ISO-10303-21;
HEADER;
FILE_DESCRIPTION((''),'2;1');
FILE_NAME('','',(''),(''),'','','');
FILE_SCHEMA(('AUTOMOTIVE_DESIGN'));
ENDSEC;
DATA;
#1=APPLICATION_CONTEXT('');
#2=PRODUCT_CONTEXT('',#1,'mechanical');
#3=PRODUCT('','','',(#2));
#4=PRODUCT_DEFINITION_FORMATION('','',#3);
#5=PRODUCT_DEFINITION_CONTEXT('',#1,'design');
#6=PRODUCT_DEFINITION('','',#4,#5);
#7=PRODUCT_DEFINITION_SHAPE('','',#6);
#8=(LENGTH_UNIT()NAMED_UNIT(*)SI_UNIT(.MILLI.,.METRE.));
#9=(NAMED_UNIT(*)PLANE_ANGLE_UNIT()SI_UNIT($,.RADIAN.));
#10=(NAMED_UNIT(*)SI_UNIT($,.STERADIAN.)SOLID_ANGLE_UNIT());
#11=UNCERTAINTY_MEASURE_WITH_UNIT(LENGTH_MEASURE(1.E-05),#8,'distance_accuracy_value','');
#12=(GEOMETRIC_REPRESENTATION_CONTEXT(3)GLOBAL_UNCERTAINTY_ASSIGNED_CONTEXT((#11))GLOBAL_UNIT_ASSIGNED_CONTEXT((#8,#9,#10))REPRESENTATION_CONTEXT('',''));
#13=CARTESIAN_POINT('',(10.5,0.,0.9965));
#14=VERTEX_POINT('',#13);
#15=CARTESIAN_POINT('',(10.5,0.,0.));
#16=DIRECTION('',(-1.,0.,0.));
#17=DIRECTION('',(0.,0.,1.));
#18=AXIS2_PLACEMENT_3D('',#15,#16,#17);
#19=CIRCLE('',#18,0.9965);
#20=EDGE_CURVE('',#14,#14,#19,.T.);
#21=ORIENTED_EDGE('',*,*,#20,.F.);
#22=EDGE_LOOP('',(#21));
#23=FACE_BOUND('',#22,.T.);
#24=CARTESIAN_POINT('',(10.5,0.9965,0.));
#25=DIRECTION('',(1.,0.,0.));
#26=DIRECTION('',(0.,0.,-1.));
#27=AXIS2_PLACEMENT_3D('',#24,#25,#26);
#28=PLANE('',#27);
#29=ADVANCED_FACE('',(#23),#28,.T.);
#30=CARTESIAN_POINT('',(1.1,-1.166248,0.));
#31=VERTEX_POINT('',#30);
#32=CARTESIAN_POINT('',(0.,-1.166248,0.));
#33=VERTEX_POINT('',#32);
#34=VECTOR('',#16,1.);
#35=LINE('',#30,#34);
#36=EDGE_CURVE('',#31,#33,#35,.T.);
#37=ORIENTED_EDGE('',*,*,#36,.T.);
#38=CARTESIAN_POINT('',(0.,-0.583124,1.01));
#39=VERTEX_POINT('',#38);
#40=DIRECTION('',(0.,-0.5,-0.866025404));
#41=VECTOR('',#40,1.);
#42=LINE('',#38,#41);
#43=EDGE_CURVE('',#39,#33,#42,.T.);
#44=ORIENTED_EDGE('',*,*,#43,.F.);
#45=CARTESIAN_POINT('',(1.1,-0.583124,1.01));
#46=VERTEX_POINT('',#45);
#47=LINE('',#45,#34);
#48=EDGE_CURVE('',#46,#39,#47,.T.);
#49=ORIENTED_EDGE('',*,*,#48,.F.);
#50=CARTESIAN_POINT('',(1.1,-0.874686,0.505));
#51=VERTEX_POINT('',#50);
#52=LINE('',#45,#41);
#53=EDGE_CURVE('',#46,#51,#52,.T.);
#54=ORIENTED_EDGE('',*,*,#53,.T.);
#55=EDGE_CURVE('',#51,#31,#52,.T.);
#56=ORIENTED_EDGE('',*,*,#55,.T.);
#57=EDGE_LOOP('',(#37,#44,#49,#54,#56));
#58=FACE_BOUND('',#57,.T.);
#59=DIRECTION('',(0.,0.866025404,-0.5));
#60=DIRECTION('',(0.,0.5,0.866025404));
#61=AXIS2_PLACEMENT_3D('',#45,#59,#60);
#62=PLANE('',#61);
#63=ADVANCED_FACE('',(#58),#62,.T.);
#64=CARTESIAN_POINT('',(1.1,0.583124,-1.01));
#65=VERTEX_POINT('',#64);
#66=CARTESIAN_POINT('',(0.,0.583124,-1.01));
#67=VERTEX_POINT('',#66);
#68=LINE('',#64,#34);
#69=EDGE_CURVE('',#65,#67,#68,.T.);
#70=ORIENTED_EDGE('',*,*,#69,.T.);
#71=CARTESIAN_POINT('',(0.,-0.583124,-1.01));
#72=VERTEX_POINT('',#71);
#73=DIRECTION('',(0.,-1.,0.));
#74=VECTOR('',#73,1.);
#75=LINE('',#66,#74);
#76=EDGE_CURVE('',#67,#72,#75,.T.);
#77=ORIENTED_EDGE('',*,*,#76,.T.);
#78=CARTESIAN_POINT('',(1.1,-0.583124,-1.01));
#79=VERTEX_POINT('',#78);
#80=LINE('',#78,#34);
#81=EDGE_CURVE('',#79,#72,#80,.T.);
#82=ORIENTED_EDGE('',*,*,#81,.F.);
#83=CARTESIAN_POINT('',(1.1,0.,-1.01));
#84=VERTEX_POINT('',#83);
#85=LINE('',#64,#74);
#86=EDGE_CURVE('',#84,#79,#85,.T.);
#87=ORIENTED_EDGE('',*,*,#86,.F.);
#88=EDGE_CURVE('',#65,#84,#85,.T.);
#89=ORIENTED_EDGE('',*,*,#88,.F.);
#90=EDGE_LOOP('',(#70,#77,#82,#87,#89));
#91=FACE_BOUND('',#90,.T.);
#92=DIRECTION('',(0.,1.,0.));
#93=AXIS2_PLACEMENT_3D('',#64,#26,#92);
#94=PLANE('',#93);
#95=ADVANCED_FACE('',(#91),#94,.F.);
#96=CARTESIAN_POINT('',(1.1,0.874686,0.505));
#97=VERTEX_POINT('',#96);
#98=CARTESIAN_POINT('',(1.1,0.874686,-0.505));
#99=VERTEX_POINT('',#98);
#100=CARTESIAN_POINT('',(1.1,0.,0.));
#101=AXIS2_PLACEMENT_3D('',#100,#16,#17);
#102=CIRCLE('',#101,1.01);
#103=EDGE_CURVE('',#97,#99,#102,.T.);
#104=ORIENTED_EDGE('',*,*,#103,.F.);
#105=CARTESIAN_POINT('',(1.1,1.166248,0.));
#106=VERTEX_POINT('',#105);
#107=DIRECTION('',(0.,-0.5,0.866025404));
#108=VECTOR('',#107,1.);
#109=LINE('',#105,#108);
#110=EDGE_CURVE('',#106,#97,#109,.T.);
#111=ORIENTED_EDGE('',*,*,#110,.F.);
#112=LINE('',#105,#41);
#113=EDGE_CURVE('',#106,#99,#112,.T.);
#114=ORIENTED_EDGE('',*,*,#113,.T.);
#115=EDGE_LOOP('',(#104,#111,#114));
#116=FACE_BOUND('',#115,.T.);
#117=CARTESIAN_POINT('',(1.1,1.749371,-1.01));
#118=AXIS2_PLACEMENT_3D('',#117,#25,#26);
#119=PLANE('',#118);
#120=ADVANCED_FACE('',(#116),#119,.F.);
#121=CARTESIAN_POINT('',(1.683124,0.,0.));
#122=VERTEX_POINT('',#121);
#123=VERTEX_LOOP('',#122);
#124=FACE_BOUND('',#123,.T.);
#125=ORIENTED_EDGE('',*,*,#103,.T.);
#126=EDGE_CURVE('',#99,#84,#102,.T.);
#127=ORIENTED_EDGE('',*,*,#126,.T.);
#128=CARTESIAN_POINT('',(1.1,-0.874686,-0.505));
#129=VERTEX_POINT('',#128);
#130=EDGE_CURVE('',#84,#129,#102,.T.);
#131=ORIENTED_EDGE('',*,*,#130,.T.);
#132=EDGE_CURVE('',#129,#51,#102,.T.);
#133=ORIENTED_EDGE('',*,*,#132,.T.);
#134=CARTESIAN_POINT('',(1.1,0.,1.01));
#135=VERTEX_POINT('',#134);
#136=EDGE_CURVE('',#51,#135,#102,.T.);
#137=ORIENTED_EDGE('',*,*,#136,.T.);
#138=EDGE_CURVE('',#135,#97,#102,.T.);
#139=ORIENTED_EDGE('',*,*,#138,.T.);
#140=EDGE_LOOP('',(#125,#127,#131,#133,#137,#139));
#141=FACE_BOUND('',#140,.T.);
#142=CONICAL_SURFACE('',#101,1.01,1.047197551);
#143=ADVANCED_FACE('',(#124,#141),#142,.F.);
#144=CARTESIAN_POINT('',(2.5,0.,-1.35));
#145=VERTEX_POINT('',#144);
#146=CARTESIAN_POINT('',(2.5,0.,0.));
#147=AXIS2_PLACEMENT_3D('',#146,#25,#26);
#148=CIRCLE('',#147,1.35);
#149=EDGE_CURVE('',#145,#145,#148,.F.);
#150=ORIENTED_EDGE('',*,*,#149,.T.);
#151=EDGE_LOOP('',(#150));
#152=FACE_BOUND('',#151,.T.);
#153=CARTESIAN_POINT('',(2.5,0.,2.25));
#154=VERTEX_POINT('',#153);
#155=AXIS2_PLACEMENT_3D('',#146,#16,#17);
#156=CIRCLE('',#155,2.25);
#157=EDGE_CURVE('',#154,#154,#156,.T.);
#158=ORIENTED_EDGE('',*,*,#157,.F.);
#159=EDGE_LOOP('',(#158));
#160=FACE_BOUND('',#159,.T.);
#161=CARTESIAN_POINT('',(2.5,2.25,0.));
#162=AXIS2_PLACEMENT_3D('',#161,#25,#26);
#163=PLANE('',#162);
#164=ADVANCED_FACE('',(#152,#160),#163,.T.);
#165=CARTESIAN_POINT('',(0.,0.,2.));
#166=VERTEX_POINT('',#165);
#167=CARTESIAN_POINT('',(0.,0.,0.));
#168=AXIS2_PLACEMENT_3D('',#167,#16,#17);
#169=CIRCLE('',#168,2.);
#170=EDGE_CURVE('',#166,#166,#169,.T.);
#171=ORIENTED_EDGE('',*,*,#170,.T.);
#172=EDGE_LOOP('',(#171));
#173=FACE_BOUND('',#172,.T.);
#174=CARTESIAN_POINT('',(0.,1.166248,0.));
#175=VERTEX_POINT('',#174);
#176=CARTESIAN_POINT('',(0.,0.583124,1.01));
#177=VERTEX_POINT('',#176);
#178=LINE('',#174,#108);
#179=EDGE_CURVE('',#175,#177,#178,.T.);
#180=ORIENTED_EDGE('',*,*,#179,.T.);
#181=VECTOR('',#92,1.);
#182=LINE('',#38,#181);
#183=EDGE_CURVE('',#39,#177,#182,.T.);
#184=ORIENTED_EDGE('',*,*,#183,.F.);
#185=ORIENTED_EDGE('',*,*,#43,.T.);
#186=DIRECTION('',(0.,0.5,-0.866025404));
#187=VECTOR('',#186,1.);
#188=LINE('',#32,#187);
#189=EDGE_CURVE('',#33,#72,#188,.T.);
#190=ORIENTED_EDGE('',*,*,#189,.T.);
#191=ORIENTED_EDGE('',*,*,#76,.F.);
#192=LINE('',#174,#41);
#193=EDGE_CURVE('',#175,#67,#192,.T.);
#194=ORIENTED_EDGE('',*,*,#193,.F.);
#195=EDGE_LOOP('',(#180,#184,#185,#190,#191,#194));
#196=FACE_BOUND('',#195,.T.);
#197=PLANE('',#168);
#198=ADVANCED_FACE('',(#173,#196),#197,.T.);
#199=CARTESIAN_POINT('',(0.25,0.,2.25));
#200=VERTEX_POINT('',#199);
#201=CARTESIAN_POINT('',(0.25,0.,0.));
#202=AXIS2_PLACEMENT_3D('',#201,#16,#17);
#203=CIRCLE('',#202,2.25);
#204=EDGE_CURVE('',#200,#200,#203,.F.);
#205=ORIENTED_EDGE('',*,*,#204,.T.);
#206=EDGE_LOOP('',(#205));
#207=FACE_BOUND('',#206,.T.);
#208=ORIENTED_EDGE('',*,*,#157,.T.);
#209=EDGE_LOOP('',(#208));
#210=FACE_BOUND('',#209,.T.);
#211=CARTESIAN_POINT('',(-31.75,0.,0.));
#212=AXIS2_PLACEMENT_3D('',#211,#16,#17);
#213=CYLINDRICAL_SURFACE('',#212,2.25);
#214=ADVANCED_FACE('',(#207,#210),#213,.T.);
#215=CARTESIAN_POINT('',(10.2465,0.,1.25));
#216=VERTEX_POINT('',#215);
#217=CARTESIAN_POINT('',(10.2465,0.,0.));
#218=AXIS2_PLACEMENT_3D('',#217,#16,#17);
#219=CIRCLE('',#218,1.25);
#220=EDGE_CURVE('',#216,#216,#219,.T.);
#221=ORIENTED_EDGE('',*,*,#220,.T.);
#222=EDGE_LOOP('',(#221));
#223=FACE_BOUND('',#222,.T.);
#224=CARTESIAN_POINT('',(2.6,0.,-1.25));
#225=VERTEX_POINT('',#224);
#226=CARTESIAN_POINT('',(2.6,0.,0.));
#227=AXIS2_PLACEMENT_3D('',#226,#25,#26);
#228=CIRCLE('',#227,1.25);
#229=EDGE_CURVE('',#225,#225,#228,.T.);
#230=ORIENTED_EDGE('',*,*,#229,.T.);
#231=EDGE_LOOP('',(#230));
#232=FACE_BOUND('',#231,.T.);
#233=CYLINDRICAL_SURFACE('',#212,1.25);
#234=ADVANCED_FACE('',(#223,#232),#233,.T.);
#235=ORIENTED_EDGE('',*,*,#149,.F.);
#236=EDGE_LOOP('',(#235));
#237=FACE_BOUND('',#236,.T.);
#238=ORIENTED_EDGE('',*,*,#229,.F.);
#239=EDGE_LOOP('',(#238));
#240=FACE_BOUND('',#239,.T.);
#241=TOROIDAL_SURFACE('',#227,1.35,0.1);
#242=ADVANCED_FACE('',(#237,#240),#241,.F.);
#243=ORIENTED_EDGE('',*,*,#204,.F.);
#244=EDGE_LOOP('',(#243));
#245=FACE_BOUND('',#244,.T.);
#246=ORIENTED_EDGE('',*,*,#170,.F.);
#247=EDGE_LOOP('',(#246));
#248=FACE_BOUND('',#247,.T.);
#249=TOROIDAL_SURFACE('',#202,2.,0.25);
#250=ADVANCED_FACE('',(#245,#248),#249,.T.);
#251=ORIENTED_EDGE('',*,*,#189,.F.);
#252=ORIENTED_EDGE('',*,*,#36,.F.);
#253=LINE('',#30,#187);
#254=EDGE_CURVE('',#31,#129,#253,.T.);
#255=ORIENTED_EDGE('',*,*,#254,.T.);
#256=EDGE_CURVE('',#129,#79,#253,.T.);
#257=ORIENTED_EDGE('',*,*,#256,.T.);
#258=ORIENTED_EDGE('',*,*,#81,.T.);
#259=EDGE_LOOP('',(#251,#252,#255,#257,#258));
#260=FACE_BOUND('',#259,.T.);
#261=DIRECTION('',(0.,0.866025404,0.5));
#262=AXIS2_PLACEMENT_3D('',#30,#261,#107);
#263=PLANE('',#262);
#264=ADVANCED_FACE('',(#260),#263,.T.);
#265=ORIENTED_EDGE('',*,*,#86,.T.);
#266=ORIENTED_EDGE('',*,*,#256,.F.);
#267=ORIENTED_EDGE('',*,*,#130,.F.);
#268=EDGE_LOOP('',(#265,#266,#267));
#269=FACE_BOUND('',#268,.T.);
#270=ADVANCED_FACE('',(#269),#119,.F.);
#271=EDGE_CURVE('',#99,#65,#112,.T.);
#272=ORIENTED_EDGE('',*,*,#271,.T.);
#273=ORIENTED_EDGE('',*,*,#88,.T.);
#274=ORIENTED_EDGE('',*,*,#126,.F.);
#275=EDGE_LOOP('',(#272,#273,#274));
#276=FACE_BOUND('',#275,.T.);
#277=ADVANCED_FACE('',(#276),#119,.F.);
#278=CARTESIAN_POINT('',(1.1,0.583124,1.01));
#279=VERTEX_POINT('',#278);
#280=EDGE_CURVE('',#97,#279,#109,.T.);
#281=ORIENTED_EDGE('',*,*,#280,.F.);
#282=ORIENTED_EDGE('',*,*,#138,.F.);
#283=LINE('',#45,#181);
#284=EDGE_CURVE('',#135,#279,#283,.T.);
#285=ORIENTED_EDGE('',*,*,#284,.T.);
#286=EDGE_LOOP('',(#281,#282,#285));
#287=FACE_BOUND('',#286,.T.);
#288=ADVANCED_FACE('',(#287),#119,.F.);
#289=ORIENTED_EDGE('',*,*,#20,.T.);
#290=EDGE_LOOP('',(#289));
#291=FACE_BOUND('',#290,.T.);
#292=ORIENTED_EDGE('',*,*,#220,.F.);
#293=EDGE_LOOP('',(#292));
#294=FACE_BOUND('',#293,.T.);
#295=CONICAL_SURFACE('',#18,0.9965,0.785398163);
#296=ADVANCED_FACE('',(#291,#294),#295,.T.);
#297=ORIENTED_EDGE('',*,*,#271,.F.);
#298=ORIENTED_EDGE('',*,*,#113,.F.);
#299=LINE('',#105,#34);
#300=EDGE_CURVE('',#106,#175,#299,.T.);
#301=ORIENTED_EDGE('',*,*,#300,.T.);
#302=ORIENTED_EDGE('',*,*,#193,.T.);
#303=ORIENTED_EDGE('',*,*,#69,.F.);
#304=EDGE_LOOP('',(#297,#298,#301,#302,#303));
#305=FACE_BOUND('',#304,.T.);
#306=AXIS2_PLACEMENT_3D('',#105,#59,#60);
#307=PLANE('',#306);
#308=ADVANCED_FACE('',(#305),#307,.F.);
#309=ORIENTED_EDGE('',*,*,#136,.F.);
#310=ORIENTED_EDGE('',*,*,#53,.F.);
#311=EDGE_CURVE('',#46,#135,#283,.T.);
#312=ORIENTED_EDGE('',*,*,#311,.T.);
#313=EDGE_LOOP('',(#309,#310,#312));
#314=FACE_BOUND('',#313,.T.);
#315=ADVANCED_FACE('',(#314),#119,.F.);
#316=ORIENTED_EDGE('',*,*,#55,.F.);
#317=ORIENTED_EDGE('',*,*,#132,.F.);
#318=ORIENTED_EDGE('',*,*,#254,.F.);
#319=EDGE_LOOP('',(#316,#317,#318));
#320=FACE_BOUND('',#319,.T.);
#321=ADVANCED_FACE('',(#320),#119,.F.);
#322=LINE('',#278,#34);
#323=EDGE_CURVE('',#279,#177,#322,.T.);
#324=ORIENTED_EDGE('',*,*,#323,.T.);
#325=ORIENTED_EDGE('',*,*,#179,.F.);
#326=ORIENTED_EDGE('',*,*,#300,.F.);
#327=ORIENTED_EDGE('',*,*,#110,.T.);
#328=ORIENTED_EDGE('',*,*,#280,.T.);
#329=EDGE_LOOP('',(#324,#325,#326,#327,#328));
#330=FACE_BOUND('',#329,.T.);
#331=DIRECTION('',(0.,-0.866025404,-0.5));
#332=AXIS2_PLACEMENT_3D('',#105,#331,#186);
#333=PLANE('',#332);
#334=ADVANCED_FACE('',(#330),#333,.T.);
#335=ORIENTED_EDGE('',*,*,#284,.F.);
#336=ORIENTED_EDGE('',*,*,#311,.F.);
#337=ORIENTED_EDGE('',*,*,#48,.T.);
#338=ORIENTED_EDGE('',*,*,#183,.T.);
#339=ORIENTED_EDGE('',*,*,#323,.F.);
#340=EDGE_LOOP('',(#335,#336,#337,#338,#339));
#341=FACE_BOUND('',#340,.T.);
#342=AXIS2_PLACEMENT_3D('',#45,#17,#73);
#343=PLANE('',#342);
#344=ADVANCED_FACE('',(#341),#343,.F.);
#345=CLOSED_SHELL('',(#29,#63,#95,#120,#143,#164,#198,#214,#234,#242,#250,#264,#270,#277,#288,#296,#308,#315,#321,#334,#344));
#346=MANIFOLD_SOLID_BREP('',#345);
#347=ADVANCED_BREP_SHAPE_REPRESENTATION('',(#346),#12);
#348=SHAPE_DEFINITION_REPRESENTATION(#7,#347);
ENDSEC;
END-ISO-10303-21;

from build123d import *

# Parameters (mm, degrees)
FILLET1_R   = 0.1
FILLET2_R   = 0.25
HEX_2_DEPTH = 1.1


with BuildPart() as part:
    # BodySke → Base-Revolve (revolve)
    with BuildSketch(Plane.XY):
        Polygon((0, 0), (0, 2.25), (2.5, 2.25), (2.5, 1.25), (10.2465, 1.25), (10.5, 0.9965), (10.5, 0), align=None)
    revolve(axis=Axis((-31.75, 0, 0), (1, 0, 0)))

    # Fillet1
    fillet1_edges = [part.edges().sort_by_distance(p)[0] for p in [
        (2.5, -1.25, 0),
    ]]
    fillet(fillet1_edges, radius=FILLET1_R)

    # Fillet2
    fillet2_edges = [part.edges().sort_by_distance(p)[0] for p in [
        (0, -2.25, 0),
    ]]
    fillet(fillet2_edges, radius=FILLET2_R)

    # Sketch2 → Hex-PreBroach (revolve, cut)
    with BuildSketch(Plane.XY):
        Polygon((0, 1.01), (1.1, 1.01), (1.683123772, 0), (0, 0), align=None)
    revolve(axis=Axis((0, 0, 0), (1, 0, 0)), mode=Mode.SUBTRACT)

    # Sketch3 → Hex 2 (cut)
    with BuildSketch(Plane(origin=(0, 0, 0), x_dir=(0, 0.5, 0.866025404), z_dir=(-1, 0, 0))):
        Polygon((0.583123772, 1.01), (-0.583123772, 1.01), (-1.166247544, 0), (-0.583123772, -1.01), (0.583123772, -1.01), (1.166247544, 0), align=None)
    extrude(amount=-HEX_2_DEPTH, mode=Mode.SUBTRACT)


solid = part.part
